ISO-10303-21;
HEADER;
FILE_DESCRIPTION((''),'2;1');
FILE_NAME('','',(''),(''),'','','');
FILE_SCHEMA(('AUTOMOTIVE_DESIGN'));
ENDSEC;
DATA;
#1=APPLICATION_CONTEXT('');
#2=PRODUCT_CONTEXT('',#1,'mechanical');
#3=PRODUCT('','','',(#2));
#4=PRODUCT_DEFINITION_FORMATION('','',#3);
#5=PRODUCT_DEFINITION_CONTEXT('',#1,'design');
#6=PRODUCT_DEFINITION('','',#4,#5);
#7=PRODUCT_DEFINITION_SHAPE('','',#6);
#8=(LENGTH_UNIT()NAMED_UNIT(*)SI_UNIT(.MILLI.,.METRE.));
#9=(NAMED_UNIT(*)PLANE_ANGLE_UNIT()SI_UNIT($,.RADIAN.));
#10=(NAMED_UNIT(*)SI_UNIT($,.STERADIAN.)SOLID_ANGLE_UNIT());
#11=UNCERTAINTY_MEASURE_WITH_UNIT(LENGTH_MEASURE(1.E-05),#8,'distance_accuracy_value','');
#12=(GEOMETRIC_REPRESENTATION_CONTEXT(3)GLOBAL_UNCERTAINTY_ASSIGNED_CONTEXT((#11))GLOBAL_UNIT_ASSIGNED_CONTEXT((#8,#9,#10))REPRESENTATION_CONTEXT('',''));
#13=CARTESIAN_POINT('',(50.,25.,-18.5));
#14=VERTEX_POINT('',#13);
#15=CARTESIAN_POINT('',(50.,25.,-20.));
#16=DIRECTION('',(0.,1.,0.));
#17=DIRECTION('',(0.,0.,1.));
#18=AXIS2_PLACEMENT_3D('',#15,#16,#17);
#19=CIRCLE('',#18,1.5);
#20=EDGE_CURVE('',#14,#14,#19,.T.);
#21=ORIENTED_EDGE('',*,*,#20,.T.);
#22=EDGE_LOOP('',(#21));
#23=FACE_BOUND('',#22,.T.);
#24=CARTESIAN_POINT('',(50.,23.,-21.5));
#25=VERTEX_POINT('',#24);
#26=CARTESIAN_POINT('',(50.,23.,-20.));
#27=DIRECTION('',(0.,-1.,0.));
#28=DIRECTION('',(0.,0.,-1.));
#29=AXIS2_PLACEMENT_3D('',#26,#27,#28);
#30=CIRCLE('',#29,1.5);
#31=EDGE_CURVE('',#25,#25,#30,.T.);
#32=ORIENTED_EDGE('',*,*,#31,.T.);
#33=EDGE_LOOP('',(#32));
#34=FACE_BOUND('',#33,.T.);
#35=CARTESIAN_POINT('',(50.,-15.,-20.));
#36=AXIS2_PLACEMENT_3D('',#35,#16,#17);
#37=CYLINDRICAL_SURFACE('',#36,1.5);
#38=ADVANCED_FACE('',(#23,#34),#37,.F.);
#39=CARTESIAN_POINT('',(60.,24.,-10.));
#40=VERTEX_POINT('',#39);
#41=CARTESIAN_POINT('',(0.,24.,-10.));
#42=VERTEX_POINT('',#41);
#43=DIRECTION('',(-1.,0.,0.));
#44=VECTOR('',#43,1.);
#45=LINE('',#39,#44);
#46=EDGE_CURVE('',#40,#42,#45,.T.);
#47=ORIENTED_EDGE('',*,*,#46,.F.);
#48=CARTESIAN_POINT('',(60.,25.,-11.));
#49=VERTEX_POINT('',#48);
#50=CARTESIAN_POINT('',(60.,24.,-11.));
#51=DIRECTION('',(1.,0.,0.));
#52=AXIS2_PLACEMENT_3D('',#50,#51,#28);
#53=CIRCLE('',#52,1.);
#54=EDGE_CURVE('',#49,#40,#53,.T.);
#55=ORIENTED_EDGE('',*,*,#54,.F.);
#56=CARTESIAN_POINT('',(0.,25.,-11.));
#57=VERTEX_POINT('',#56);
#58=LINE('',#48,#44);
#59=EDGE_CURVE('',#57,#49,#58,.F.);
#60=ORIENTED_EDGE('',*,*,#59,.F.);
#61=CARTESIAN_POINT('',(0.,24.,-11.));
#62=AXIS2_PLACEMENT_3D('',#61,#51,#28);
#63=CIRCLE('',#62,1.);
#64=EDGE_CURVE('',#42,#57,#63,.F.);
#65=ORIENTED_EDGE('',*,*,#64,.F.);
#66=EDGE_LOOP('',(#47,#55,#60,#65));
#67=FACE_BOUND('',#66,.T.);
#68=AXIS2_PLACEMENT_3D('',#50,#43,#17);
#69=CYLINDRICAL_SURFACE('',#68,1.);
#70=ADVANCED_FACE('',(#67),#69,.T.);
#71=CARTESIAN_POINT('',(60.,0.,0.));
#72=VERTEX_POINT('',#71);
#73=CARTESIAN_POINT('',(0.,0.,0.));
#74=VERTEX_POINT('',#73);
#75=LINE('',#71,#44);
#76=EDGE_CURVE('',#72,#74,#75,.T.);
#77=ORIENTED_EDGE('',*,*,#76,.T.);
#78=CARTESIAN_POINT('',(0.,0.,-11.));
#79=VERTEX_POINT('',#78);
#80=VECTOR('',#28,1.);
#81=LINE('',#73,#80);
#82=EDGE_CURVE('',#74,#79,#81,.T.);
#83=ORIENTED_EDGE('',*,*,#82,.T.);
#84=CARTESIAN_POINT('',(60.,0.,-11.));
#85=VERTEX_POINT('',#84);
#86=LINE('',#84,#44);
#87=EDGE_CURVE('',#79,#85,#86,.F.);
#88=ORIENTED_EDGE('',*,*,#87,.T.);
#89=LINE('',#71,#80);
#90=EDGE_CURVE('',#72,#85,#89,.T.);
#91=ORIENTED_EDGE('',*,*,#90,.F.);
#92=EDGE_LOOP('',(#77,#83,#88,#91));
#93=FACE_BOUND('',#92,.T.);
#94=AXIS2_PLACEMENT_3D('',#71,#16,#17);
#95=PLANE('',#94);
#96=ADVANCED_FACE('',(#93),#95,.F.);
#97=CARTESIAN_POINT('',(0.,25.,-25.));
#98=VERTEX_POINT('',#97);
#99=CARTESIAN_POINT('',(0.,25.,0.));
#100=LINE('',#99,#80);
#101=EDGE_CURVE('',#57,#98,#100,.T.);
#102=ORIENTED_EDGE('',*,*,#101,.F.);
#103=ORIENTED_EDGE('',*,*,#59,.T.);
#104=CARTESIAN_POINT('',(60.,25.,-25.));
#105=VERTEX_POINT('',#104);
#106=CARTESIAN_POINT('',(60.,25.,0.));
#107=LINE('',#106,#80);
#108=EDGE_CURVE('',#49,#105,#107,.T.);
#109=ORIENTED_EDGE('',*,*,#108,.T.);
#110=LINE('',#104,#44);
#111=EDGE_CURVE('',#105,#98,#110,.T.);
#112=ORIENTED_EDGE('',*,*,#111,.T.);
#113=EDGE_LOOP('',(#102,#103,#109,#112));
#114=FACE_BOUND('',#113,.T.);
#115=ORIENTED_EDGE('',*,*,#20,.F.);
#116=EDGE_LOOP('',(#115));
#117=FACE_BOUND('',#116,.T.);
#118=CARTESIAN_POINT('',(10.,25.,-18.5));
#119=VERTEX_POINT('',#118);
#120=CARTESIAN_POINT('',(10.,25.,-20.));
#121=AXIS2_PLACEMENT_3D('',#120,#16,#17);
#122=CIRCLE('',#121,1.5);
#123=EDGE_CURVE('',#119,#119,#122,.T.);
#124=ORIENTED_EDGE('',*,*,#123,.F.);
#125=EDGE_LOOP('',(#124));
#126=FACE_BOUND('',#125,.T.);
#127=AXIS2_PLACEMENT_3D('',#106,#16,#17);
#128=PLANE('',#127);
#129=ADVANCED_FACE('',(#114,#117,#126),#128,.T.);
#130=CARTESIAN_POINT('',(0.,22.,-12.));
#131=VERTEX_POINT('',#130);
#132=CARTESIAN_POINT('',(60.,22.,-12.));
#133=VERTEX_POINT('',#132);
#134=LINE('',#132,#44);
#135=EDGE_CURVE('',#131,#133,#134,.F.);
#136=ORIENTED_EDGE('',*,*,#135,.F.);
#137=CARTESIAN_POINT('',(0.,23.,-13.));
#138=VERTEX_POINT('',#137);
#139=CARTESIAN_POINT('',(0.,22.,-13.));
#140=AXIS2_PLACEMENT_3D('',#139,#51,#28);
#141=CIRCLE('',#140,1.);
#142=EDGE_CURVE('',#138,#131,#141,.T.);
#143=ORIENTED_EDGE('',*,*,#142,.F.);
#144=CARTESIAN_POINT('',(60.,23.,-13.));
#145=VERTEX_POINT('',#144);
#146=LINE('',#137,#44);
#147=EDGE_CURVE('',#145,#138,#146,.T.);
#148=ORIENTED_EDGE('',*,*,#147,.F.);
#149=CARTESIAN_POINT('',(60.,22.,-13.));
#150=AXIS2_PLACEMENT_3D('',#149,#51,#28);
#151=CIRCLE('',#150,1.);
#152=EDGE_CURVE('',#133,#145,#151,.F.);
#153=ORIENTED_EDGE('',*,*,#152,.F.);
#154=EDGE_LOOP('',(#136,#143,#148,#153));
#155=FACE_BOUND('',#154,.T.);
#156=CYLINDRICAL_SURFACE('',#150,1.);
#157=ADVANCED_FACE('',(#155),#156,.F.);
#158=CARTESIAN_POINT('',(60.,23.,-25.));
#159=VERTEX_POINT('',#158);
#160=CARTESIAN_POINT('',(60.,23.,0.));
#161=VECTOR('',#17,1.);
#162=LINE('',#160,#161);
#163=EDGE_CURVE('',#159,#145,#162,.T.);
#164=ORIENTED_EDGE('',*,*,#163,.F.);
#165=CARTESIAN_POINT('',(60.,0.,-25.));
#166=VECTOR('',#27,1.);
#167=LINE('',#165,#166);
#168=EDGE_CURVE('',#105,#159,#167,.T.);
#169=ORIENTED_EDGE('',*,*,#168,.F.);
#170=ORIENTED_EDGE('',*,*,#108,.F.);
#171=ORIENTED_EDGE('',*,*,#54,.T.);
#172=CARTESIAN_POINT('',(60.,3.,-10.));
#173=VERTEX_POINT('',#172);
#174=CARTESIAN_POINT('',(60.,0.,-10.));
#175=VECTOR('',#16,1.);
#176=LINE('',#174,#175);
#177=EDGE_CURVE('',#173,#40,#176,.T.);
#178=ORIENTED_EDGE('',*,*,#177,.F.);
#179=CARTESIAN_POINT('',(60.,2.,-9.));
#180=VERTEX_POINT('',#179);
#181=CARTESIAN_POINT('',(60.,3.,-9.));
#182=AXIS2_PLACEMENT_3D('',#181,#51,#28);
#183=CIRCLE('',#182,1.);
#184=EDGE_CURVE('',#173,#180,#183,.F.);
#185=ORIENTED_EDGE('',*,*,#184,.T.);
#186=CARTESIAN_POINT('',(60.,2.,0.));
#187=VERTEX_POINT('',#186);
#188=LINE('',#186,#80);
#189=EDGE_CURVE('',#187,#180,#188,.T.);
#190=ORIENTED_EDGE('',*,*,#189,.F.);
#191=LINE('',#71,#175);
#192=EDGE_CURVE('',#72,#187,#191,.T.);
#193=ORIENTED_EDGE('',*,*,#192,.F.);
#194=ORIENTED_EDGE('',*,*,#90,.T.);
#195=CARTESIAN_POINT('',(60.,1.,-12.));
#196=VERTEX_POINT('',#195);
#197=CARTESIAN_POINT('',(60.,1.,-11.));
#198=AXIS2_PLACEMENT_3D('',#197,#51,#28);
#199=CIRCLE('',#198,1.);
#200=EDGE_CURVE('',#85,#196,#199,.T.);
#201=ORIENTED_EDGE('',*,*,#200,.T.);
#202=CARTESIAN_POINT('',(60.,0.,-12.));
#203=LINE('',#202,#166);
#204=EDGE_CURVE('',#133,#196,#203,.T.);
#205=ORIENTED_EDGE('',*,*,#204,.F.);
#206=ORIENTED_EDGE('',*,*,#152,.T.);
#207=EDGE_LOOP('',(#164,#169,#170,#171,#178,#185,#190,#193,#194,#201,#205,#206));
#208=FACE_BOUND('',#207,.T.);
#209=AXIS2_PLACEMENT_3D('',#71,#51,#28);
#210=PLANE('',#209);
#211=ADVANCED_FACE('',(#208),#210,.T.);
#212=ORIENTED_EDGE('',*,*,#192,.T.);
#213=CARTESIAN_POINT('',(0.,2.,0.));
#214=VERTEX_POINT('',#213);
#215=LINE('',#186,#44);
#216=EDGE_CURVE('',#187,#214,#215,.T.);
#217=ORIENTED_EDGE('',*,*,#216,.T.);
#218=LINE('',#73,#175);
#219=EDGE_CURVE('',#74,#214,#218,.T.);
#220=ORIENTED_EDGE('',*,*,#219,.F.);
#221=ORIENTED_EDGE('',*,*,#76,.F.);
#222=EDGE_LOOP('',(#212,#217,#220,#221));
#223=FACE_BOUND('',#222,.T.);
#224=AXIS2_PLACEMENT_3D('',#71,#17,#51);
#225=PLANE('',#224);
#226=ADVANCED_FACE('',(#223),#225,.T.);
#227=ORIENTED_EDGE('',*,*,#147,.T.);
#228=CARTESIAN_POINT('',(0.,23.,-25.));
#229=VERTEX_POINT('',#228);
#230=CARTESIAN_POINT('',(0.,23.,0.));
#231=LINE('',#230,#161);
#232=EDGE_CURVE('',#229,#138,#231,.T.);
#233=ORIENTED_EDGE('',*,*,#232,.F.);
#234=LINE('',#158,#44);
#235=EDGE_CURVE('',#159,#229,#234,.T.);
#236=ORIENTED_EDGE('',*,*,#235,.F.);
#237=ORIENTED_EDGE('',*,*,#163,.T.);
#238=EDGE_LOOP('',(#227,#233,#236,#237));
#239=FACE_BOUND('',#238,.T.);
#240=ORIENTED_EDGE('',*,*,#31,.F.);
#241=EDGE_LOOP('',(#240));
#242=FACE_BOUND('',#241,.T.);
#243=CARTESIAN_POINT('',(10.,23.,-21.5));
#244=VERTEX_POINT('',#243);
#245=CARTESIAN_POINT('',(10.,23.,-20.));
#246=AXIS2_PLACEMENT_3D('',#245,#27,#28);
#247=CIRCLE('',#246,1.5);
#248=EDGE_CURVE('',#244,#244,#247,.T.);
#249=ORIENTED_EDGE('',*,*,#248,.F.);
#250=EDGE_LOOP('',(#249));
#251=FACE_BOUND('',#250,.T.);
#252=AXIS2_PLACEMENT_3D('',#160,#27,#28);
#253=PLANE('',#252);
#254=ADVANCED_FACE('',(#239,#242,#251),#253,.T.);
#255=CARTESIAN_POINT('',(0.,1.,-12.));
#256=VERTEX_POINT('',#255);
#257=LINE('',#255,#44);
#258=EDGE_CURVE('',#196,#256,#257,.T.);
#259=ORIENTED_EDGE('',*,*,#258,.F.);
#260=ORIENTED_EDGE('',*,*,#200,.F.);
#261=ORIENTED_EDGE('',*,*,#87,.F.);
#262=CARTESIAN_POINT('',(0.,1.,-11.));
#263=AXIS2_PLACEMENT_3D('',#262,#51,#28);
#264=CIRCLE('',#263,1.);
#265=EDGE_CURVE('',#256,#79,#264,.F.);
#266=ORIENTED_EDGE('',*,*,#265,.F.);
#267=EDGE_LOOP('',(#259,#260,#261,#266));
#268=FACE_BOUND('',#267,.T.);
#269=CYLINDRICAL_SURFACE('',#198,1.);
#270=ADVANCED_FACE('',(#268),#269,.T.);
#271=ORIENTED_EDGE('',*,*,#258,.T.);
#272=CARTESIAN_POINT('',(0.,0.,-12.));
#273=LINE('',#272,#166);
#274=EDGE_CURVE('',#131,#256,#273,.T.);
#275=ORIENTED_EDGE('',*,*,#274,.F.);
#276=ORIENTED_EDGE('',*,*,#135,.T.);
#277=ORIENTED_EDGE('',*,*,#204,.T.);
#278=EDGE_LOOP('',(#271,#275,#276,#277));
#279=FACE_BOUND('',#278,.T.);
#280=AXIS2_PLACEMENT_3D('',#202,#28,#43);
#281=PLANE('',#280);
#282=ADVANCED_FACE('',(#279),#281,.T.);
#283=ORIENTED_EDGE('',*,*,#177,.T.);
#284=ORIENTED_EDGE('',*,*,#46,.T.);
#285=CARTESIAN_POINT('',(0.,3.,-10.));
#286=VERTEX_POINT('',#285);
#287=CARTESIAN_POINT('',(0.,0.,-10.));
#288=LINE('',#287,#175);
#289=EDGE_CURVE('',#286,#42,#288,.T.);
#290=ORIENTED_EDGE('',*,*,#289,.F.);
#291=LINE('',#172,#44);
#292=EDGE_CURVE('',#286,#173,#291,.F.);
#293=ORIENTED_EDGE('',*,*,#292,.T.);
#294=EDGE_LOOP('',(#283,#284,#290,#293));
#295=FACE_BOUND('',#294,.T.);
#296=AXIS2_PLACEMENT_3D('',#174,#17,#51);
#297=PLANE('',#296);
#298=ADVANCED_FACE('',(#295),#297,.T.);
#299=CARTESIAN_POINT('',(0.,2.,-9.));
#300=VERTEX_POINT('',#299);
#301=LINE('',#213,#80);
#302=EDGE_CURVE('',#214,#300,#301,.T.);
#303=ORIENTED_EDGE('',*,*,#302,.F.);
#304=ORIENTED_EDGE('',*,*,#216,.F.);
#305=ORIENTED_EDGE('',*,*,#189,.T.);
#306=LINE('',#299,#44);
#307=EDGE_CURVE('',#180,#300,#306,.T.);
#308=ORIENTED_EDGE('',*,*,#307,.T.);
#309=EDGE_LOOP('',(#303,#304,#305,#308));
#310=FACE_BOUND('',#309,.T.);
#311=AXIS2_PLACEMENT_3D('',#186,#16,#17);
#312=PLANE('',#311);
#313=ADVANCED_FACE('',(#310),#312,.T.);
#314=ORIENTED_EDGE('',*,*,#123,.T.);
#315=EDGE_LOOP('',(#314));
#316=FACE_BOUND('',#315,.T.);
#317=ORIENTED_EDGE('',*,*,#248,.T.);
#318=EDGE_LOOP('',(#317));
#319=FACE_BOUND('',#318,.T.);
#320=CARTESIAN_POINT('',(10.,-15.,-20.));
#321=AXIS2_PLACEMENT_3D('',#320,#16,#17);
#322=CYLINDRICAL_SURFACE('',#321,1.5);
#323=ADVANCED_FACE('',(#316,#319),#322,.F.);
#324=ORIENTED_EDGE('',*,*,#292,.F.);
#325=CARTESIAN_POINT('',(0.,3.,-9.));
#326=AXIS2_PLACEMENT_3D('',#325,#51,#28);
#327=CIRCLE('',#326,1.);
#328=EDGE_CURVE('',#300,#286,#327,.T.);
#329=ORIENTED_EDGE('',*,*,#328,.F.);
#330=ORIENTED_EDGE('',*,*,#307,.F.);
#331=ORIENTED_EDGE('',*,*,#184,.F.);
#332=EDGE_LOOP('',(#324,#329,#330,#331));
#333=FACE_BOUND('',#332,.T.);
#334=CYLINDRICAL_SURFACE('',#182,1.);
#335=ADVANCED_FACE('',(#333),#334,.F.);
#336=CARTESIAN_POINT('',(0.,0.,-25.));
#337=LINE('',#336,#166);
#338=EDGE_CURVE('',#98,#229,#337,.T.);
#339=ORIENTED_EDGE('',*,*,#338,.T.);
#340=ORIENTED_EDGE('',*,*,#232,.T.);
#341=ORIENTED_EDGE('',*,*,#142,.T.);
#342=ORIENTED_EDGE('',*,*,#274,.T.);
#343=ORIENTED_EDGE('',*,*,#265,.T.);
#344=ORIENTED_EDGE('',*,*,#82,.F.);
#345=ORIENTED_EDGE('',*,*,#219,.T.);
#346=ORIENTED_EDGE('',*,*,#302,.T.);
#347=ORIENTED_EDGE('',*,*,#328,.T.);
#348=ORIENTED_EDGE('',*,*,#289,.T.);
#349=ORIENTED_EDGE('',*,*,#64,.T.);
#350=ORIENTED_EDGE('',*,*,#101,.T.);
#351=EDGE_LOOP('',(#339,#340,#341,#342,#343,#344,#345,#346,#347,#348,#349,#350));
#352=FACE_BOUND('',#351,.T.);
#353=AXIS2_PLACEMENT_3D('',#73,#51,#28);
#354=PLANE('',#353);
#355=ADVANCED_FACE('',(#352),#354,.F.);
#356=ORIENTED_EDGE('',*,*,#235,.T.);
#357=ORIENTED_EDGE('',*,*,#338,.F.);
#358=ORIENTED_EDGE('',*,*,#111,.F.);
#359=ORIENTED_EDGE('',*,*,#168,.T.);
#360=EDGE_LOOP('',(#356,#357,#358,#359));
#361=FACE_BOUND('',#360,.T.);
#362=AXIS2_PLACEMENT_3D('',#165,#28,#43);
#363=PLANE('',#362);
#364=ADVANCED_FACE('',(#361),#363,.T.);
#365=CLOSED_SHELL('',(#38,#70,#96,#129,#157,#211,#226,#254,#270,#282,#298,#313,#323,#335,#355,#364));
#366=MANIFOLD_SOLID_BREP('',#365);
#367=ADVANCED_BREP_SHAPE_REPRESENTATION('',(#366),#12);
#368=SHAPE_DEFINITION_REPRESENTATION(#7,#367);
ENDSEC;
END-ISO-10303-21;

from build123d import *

# Parameters (mm, degrees)
BOSS_EXTRUDE1_DEPTH = 60
FILLET1_R           = 1
SKETCH2_R           = 1.5
CUT_EXTRUDE1_DEPTH  = 40


with BuildPart() as part:
    # Sketch1 → Boss-Extrude1 (new body)
    with BuildSketch(Plane(origin=(0, 0, 0), x_dir=(0, 0, -1), z_dir=(1, 0, 0))):
        Polygon((0, 2), (0, 0), (12, 0), (12, 23), (25, 23), (25, 25), (22, 25), (10, 25), (10, 2), align=None)
    extrude(amount=BOSS_EXTRUDE1_DEPTH)

    # Fillet1
    fillet1_edges = [part.edges().sort_by_distance(p)[0] for p in [
        (30, 23, -12),
        (30, 0, -12),
        (30, 2, -10),
        (30, 25, -10),
    ]]
    fillet(fillet1_edges, radius=FILLET1_R)

    # Sketch2 → Cut-Extrude1 (cut)
    with BuildSketch(Plane(origin=(0, 25, 0), x_dir=(1, 0, 0), z_dir=(0, 1, 0))):
        with Locations(Location((10, 20, 0), (0, 0, 270))):
            Circle(SKETCH2_R)
        with Locations(Location((50, 20, 0), (0, 0, 270))):
            Circle(SKETCH2_R)
    extrude(amount=-CUT_EXTRUDE1_DEPTH, mode=Mode.SUBTRACT)


solid = part.part
